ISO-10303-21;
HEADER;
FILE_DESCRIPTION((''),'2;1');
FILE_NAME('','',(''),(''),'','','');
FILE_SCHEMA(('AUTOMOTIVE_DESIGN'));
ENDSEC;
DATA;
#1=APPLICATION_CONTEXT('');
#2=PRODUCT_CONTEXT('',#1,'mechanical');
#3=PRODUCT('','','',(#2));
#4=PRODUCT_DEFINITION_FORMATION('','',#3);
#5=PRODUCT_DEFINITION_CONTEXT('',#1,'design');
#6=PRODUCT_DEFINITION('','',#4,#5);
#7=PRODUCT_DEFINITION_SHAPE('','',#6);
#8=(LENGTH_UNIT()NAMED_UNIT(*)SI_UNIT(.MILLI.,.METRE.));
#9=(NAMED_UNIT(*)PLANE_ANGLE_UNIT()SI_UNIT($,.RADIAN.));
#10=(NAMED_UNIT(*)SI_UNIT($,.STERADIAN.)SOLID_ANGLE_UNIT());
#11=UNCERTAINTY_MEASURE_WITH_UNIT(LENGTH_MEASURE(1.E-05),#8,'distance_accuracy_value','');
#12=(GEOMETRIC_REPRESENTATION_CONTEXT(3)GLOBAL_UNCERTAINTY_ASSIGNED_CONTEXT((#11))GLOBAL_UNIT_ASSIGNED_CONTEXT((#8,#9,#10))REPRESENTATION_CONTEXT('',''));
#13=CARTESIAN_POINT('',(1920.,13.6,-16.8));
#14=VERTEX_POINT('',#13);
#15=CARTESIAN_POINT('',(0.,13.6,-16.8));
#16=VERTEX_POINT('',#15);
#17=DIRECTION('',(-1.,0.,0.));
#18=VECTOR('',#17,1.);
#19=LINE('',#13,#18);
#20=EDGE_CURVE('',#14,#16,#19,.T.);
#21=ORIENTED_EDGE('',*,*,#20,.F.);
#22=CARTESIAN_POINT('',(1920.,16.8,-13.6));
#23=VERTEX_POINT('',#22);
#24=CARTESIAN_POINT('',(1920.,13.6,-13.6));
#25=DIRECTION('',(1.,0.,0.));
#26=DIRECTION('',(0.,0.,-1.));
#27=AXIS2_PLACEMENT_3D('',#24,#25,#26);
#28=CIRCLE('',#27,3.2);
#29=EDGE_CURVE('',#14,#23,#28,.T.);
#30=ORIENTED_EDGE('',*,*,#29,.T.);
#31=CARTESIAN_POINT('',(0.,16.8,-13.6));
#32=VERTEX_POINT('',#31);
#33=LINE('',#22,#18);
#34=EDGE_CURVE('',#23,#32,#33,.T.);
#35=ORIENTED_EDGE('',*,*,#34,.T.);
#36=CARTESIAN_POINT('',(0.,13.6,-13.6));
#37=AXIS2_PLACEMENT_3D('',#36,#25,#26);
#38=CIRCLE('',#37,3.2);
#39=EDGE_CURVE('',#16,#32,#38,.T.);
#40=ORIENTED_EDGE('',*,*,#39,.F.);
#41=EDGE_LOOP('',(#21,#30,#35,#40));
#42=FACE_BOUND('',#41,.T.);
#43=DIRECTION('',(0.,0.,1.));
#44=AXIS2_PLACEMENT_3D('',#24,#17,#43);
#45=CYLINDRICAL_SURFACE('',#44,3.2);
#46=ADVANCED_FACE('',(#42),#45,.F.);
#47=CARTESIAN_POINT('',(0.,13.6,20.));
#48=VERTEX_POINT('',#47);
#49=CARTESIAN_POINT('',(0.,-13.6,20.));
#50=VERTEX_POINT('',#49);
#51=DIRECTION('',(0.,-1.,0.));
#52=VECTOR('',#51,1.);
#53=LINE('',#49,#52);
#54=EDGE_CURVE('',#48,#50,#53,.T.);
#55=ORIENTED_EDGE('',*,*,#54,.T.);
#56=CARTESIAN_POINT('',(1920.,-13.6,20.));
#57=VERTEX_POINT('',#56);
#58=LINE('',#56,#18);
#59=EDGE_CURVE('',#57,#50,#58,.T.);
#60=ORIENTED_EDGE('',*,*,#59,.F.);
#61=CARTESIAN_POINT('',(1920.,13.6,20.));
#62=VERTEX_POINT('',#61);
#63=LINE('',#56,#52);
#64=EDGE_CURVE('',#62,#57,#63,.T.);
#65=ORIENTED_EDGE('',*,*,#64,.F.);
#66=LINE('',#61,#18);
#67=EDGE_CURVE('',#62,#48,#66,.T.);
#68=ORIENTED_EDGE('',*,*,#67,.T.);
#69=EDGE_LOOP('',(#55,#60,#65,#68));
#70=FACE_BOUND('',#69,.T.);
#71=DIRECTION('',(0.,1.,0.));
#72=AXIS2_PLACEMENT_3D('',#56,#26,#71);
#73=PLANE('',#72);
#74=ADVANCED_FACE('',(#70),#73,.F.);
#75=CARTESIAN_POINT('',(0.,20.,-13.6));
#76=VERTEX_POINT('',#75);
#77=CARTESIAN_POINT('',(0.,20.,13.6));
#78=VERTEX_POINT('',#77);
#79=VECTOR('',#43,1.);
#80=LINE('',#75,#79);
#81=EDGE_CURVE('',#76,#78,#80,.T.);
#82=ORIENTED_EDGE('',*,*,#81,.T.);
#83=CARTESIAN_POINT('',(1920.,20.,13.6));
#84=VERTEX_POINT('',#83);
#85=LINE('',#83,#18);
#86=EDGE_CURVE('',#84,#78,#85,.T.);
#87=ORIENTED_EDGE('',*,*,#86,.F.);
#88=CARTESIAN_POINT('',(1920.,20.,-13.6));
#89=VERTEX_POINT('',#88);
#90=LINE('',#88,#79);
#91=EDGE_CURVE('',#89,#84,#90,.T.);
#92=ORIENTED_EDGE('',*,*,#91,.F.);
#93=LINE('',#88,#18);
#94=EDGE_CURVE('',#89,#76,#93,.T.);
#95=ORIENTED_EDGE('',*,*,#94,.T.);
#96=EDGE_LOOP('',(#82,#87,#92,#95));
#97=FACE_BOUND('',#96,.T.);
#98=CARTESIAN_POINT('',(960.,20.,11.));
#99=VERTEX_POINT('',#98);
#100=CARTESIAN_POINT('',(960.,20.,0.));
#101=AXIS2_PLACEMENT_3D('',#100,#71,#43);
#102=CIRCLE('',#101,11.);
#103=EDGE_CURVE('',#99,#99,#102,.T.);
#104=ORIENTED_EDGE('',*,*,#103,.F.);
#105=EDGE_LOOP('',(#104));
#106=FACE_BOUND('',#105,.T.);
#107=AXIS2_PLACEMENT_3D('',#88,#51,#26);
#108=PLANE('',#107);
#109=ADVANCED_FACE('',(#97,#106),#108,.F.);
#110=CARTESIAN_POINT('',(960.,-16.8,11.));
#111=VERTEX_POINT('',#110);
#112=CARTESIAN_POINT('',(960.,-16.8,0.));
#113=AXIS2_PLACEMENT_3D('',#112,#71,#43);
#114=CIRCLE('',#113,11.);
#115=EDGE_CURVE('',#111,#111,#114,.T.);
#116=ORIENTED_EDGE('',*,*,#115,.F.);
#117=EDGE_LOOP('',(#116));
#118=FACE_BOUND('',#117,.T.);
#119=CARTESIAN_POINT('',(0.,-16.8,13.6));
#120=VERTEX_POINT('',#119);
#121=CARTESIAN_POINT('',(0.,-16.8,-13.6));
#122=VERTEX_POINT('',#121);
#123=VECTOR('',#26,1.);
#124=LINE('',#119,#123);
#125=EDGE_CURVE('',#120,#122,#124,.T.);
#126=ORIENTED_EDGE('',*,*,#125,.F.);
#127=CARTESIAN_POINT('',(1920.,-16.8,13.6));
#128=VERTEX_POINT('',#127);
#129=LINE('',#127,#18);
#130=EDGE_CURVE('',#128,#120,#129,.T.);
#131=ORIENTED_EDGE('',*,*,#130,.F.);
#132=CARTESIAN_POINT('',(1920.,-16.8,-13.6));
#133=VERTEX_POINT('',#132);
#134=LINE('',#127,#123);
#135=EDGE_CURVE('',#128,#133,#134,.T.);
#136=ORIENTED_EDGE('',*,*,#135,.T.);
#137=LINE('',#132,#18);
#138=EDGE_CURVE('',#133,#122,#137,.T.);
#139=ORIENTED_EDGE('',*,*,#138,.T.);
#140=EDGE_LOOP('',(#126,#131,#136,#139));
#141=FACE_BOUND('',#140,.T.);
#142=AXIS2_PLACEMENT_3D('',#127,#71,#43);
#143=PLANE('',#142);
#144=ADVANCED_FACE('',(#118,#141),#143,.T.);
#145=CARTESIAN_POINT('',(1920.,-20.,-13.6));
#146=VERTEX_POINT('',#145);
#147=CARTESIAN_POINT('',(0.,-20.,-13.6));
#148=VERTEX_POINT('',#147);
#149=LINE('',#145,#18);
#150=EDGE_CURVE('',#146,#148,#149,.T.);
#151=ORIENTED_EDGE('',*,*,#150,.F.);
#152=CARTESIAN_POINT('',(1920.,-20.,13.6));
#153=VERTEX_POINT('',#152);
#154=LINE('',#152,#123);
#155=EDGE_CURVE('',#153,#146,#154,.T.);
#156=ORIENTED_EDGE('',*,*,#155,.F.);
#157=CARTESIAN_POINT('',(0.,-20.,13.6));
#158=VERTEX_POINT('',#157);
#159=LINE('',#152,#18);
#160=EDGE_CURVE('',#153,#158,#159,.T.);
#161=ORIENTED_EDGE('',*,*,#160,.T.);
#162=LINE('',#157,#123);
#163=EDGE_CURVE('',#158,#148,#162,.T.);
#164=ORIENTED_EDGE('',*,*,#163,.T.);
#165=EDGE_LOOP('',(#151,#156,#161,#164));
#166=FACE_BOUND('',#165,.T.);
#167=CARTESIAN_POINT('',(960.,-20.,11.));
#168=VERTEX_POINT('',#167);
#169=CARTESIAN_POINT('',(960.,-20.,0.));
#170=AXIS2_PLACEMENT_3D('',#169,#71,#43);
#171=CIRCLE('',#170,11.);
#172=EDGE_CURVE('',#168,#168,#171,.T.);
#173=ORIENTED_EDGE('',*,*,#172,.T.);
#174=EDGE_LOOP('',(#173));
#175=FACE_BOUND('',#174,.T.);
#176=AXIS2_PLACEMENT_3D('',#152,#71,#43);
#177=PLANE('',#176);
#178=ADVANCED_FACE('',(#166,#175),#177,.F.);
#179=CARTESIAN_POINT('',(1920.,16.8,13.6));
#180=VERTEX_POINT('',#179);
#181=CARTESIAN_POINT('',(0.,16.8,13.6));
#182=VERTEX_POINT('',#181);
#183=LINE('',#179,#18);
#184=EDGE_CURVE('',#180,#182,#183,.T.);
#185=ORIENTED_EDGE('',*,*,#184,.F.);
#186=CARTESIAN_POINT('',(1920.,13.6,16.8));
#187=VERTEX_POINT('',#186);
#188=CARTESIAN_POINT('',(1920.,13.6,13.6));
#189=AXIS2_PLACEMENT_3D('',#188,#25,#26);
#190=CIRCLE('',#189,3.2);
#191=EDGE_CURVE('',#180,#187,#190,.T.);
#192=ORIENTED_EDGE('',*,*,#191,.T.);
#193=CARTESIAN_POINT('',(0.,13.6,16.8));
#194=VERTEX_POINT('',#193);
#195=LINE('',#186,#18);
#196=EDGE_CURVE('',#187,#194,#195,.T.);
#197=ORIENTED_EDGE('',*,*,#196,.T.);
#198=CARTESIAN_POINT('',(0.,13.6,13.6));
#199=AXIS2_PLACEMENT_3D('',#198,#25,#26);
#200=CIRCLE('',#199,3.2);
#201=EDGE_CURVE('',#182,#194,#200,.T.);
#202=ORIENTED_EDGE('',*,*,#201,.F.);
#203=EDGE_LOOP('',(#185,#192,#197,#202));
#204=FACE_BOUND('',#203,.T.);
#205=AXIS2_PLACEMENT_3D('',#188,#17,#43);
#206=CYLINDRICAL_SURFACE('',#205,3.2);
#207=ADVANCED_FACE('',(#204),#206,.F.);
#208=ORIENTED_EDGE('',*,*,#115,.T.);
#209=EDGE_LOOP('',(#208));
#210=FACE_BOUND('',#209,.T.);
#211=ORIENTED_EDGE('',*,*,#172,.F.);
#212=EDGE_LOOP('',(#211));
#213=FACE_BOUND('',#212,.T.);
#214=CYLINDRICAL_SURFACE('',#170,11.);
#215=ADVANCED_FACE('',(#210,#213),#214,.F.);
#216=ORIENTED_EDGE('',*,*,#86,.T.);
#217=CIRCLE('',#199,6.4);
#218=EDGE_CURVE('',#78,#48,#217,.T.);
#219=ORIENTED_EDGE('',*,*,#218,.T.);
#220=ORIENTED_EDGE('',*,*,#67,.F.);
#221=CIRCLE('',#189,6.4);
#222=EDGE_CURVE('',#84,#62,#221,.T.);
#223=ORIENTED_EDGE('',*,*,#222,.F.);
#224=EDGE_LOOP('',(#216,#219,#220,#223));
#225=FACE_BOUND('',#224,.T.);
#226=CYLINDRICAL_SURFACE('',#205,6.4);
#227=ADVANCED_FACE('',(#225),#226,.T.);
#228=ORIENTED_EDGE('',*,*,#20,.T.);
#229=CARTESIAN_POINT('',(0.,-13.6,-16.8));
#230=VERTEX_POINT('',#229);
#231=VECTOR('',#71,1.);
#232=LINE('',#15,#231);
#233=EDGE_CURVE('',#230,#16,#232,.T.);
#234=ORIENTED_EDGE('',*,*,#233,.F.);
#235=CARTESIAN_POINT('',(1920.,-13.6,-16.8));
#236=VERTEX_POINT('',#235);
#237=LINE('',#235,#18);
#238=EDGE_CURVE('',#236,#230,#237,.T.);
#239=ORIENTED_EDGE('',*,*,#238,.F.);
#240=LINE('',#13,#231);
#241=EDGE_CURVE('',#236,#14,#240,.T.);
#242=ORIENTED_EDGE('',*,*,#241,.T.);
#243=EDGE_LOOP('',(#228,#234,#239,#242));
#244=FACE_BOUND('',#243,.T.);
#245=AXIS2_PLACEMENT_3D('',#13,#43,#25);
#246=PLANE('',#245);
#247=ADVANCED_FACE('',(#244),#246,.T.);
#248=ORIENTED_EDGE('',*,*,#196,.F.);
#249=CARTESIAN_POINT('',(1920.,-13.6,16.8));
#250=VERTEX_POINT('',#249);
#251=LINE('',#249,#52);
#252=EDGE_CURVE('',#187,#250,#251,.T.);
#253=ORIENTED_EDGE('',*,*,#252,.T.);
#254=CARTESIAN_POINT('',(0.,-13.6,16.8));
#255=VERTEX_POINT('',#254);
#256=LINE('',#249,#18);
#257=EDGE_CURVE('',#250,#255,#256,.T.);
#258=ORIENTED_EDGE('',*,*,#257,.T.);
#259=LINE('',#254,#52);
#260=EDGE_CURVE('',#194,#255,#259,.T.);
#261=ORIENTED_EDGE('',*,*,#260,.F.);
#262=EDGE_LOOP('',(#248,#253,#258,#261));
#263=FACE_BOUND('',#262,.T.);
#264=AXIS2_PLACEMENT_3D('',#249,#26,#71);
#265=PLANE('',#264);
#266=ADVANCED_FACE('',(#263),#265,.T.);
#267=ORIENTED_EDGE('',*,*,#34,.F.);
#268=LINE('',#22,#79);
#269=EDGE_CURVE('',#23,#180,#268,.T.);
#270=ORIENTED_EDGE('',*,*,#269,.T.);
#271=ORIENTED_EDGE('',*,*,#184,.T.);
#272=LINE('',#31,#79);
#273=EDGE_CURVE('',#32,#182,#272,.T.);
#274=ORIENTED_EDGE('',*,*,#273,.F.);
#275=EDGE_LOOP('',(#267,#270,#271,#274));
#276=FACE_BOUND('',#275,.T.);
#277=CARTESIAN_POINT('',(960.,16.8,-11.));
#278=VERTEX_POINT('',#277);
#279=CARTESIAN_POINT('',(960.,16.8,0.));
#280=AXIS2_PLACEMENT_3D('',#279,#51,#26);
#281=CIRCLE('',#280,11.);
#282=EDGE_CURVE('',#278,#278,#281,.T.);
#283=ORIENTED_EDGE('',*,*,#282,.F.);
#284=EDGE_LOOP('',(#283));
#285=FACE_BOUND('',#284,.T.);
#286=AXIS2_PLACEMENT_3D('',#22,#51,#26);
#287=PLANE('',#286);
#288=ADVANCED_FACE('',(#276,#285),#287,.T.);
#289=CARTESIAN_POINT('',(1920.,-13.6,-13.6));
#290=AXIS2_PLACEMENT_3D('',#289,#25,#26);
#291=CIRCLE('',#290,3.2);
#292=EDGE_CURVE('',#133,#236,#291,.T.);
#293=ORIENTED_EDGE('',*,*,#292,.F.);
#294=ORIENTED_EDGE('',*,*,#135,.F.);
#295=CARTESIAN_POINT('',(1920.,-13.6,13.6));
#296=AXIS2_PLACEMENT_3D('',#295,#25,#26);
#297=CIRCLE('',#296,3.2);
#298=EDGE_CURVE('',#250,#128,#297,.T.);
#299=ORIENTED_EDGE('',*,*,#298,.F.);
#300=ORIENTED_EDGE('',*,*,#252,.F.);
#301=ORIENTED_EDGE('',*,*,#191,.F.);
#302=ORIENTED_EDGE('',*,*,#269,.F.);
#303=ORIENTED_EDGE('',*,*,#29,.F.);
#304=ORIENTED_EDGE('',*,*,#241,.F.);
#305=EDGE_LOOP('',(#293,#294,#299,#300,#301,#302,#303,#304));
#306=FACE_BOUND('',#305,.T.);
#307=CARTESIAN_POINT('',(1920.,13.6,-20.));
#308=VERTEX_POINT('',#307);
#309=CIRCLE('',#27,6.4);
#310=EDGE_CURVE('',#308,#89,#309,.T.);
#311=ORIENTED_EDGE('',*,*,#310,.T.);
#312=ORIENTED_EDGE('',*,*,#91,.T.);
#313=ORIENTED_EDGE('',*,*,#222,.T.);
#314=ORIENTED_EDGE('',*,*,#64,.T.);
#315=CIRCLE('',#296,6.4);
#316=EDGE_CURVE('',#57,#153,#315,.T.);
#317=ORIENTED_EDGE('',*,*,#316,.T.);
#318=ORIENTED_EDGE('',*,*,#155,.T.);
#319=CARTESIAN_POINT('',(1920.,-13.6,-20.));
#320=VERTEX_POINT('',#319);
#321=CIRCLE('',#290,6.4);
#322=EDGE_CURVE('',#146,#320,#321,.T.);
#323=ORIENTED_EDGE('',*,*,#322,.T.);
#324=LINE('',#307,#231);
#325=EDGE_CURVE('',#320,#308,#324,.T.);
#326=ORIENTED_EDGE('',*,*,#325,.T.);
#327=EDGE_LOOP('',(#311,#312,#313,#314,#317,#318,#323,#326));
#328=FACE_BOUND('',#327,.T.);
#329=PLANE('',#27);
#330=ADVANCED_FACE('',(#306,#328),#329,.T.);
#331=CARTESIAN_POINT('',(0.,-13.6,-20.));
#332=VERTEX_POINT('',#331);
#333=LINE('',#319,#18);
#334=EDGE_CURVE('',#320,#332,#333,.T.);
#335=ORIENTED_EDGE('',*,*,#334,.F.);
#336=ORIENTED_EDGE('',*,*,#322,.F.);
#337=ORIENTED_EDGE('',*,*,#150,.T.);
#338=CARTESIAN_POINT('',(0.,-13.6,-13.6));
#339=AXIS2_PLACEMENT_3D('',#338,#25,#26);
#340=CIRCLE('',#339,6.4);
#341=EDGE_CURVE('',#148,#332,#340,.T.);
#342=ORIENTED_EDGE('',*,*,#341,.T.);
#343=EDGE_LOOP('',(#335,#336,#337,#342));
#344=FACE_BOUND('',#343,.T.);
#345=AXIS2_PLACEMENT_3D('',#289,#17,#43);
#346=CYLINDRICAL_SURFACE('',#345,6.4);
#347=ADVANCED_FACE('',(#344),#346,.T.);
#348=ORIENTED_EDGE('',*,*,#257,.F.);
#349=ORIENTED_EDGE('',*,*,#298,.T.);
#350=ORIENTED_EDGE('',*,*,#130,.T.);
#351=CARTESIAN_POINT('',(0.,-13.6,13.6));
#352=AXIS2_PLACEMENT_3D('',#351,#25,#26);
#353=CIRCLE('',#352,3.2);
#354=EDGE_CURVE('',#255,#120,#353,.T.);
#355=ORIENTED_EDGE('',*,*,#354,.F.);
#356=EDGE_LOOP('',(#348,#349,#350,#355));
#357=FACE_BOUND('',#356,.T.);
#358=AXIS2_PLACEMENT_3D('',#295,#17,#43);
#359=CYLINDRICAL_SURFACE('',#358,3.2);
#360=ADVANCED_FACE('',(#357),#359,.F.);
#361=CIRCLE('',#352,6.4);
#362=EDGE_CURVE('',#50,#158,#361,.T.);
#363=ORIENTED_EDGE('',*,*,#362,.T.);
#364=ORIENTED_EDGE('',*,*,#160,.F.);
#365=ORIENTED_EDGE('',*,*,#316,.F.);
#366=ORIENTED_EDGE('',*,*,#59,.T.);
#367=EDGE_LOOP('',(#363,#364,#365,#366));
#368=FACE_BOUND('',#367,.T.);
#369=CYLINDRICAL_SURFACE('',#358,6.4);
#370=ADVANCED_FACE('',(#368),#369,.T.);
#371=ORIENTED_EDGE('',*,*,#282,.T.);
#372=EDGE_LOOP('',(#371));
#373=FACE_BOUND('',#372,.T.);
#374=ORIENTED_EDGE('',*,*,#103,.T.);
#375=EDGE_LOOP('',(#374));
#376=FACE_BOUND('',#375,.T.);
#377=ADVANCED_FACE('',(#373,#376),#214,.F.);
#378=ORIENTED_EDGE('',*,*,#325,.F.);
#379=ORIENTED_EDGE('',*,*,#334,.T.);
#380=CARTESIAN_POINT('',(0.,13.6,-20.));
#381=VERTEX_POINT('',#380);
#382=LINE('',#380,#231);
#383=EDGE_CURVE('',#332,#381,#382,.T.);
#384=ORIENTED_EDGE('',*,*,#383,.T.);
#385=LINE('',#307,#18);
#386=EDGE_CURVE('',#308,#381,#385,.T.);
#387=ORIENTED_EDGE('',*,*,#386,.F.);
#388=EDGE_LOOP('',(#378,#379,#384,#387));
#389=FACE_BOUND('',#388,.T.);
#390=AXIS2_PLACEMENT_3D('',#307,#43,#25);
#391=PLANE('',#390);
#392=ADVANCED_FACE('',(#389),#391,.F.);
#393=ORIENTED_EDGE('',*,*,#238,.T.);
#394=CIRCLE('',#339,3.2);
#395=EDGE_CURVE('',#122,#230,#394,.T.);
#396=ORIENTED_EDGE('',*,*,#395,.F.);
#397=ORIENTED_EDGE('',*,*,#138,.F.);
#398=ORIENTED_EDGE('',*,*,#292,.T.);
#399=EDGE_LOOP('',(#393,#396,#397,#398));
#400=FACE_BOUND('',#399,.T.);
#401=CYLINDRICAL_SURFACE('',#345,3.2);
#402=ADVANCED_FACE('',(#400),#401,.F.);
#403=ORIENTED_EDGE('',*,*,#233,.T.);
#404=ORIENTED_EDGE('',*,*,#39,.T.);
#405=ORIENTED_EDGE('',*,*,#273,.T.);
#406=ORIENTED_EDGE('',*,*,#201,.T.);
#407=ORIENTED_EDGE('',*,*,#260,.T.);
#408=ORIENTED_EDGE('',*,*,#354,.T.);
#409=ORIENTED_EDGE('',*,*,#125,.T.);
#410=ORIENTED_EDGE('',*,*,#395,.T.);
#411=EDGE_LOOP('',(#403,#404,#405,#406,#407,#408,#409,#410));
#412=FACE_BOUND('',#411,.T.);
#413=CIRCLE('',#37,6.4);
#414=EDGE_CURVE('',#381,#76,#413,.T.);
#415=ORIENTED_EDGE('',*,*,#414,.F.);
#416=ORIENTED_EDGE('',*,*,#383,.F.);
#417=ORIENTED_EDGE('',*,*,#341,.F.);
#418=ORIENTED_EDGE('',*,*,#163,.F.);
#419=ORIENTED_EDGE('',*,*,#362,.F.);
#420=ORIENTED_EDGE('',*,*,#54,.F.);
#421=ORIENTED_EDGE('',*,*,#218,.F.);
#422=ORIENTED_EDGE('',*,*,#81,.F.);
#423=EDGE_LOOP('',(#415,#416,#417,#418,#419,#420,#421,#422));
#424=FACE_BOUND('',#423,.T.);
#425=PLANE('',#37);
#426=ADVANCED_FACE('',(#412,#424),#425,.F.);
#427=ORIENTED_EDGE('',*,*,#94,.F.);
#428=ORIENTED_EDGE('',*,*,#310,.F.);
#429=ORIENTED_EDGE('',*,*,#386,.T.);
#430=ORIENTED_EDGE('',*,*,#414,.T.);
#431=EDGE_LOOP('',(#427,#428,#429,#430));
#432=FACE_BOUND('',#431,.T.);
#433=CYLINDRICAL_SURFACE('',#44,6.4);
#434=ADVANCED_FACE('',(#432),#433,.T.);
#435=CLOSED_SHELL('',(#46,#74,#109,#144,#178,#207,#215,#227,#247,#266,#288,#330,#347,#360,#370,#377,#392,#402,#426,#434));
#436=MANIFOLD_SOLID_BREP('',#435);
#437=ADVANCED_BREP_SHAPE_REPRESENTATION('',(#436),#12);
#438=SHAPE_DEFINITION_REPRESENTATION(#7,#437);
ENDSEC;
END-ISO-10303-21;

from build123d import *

# Parameters (mm, degrees)
TUBE_SQUARE_40_X_40_X_3_2_4_DEPTH = 1920
SKETCH13_R                        = 11
CUT_EXTRUDE1_DEPTH                = 1921.52076271


with BuildPart() as part:
    # Sketch12 → Tube (square) 40 X 40 X 3.2(4) (new body)
    with BuildSketch(Plane(origin=(0, 0, 0), x_dir=(0, 0, -1), z_dir=(1, 0, 0))):
        with BuildLine():
            Line((-13.6, -20), (13.6, -20))
            ThreePointArc((13.6, -20), (18.1254834, -18.1254834), (20, -13.6))
            Line((20, -13.6), (20, 13.6))
            ThreePointArc((20, 13.6), (18.1254834, 18.1254834), (13.6, 20))
            Line((13.6, 20), (-13.6, 20))
            ThreePointArc((-13.6, 20), (-18.1254834, 18.1254834), (-20, 13.6))
            Line((-20, 13.6), (-20, -13.6))
            ThreePointArc((-20, -13.6), (-18.1254834, -18.1254834), (-13.6, -20))
        make_face()
        with BuildLine():
            Line((-13.6, -16.8), (13.6, -16.8))
            ThreePointArc((13.6, -16.8), (15.8627417, -15.8627417), (16.8, -13.6))
            Line((16.8, -13.6), (16.8, 13.6))
            ThreePointArc((16.8, 13.6), (15.8627417, 15.8627417), (13.6, 16.8))
            Line((13.6, 16.8), (-13.6, 16.8))
            ThreePointArc((-13.6, 16.8), (-15.8627417, 15.8627417), (-16.8, 13.6))
            Line((-16.8, 13.6), (-16.8, -13.6))
            ThreePointArc((-16.8, -13.6), (-15.8627417, -15.8627417), (-13.6, -16.8))
        make_face(mode=Mode.SUBTRACT)
    extrude(amount=TUBE_SQUARE_40_X_40_X_3_2_4_DEPTH)

    # Sketch13 → Cut-Extrude1 (cut, through all)
    with BuildSketch(Plane(origin=(0, 20, 0), x_dir=(1, 0, 0), z_dir=(0, 1, 0))):
        with Locations(Location((960, 0, 0), (0, 0, 270))):
            Circle(SKETCH13_R)
    extrude(amount=-CUT_EXTRUDE1_DEPTH, mode=Mode.SUBTRACT)


solid = part.part
